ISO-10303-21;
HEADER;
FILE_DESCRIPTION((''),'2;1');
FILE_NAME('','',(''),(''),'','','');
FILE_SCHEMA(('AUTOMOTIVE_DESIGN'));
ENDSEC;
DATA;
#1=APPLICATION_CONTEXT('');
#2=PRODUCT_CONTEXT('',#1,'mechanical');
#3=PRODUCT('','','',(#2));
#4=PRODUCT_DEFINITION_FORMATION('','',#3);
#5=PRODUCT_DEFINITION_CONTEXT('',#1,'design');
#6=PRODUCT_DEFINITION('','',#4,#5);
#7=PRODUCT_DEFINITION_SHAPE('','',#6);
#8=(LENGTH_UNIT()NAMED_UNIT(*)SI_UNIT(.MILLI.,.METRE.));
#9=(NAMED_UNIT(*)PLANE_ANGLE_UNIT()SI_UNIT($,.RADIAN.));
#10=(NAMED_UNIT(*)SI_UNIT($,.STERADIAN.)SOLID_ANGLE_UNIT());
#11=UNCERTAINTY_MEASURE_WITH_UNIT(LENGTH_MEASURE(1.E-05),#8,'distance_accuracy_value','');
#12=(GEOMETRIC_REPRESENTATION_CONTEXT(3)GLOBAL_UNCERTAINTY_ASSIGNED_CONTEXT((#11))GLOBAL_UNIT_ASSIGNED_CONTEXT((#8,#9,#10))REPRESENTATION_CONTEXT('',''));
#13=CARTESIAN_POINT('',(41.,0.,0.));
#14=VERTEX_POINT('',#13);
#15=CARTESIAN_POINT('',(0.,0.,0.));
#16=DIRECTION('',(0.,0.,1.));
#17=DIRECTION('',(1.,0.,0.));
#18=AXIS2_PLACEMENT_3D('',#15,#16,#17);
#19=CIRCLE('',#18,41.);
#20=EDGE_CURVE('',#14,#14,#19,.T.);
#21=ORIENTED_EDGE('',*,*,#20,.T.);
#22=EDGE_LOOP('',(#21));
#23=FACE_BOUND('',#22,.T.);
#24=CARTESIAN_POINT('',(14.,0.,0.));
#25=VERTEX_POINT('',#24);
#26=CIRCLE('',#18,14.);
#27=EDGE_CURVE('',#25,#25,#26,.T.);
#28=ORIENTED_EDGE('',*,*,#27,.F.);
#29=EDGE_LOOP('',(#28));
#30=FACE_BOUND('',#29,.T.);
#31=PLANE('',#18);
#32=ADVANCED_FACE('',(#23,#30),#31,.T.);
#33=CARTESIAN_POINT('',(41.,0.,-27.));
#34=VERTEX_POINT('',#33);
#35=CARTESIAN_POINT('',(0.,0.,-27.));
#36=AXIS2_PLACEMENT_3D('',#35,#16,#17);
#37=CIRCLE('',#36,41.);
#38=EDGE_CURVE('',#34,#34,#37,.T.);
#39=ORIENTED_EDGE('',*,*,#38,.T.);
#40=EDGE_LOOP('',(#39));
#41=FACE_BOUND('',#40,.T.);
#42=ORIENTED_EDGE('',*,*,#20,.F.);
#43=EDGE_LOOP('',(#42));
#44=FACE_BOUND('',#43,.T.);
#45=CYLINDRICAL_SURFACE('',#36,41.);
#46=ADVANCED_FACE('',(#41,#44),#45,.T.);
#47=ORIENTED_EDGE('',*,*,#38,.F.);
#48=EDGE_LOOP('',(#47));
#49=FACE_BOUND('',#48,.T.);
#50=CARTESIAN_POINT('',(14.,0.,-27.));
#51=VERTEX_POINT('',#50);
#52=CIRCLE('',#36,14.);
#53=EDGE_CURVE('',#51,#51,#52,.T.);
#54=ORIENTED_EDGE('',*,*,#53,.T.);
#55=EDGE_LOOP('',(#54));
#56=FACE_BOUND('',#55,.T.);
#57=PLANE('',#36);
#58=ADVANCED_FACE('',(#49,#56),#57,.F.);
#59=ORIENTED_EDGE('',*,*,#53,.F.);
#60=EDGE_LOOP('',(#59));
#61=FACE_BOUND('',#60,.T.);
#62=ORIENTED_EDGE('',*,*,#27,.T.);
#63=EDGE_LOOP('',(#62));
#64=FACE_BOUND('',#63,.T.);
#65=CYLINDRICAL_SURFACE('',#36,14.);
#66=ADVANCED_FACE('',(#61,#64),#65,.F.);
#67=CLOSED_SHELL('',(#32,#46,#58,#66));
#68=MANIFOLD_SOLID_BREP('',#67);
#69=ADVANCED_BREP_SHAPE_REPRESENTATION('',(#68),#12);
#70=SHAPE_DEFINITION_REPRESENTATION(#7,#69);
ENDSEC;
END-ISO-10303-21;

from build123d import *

# Parameters (mm, degrees)
SKETCH2_R           = 41
BOSS_EXTRUDE1_DEPTH = 27
SKETCH3_R           = 14
CUT_EXTRUDE1_DEPTH  = 27


with BuildPart() as part:
    # Sketch2 → Boss-Extrude1 (new body)
    with BuildSketch(Plane.XY):
        Circle(SKETCH2_R)
    extrude(amount=-BOSS_EXTRUDE1_DEPTH)

    # Sketch3 → Cut-Extrude1 (cut)
    with BuildSketch(Plane.XY):
        Circle(SKETCH3_R)
    extrude(amount=-CUT_EXTRUDE1_DEPTH, mode=Mode.SUBTRACT)


solid = part.part
